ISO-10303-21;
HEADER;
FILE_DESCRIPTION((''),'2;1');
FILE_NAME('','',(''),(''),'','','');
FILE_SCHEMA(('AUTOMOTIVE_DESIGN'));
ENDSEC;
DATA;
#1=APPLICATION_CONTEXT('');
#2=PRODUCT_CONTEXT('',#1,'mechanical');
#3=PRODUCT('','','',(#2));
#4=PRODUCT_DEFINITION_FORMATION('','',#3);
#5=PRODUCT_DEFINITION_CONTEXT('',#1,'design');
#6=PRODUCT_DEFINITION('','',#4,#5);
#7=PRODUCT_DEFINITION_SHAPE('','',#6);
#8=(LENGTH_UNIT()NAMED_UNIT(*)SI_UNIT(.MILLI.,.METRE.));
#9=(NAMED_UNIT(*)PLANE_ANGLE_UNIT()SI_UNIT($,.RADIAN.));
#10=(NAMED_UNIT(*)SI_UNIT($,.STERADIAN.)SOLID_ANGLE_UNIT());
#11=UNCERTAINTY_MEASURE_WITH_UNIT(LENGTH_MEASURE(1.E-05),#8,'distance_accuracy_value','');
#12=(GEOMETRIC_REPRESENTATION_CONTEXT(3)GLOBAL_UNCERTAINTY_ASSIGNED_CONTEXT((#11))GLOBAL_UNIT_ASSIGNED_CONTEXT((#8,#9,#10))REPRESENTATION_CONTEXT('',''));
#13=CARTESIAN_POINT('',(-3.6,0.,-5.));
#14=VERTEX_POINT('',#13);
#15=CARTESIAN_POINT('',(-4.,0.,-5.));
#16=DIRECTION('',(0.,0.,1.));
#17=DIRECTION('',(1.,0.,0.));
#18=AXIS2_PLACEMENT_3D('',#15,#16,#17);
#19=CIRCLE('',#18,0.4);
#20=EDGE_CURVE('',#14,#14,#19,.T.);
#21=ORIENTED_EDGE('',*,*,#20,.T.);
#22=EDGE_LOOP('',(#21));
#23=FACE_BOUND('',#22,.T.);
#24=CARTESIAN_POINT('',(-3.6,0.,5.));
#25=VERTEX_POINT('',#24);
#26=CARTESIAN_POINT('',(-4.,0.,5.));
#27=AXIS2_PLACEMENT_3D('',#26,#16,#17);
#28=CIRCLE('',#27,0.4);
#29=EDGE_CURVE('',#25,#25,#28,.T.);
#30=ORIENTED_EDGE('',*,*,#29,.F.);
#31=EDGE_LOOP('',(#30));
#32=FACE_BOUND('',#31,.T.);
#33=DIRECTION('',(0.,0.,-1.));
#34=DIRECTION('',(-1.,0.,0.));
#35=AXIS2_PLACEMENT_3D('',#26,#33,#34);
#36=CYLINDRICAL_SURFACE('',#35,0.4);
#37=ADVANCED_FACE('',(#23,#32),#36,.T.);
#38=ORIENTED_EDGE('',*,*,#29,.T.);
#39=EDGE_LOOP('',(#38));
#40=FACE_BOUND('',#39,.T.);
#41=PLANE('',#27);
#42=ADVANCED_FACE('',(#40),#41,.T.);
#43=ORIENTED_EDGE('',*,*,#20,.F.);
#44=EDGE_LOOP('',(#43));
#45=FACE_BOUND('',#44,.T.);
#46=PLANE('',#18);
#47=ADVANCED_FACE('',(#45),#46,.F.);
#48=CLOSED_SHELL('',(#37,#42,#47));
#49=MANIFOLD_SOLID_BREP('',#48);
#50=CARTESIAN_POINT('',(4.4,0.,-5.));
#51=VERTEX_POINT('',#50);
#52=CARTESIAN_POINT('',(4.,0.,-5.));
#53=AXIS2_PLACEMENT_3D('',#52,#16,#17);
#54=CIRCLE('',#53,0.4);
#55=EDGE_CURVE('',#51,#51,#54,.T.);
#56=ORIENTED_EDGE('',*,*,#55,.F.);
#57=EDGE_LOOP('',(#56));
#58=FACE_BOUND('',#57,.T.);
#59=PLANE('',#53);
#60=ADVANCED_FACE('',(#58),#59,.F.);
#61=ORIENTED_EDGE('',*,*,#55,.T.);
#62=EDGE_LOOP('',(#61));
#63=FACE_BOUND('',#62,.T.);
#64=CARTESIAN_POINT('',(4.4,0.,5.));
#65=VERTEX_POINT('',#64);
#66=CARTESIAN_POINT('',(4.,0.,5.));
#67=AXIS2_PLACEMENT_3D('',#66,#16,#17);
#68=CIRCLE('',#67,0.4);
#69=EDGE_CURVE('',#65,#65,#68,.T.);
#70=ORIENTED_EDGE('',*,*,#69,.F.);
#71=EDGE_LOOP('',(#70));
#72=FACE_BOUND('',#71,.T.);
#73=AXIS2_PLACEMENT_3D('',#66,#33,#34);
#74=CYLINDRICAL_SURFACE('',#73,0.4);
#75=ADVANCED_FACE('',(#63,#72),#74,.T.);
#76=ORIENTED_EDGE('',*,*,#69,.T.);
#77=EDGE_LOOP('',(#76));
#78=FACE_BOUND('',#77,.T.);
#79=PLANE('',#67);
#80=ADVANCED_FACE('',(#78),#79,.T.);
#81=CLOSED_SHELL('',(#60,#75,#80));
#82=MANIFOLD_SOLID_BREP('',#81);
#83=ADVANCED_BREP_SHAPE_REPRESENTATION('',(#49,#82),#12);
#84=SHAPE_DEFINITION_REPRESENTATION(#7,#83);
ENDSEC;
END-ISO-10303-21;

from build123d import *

# Parameters (mm, degrees)
SKETCH1_R             = 0.4
BOSS_EXTRUDE1_DEPTH   = 5
BOSS_EXTRUDE1_2_DEPTH = 5


with BuildPart() as part:
    # Sketch1 → Boss-Extrude1 (new body, symmetric)
    with BuildSketch(Plane.XY):
        with Locations((-4, 0)):
            Circle(SKETCH1_R)
    extrude(amount=BOSS_EXTRUDE1_DEPTH, both=True)


with BuildPart() as body_2:
    # Sketch1 → Boss-Extrude1 2 (new body, symmetric)
    with BuildSketch(Plane.XY):
        with Locations((4, 0)):
            Circle(SKETCH1_R)
    extrude(amount=BOSS_EXTRUDE1_2_DEPTH, both=True)


solid = Compound([part.part, body_2.part])
